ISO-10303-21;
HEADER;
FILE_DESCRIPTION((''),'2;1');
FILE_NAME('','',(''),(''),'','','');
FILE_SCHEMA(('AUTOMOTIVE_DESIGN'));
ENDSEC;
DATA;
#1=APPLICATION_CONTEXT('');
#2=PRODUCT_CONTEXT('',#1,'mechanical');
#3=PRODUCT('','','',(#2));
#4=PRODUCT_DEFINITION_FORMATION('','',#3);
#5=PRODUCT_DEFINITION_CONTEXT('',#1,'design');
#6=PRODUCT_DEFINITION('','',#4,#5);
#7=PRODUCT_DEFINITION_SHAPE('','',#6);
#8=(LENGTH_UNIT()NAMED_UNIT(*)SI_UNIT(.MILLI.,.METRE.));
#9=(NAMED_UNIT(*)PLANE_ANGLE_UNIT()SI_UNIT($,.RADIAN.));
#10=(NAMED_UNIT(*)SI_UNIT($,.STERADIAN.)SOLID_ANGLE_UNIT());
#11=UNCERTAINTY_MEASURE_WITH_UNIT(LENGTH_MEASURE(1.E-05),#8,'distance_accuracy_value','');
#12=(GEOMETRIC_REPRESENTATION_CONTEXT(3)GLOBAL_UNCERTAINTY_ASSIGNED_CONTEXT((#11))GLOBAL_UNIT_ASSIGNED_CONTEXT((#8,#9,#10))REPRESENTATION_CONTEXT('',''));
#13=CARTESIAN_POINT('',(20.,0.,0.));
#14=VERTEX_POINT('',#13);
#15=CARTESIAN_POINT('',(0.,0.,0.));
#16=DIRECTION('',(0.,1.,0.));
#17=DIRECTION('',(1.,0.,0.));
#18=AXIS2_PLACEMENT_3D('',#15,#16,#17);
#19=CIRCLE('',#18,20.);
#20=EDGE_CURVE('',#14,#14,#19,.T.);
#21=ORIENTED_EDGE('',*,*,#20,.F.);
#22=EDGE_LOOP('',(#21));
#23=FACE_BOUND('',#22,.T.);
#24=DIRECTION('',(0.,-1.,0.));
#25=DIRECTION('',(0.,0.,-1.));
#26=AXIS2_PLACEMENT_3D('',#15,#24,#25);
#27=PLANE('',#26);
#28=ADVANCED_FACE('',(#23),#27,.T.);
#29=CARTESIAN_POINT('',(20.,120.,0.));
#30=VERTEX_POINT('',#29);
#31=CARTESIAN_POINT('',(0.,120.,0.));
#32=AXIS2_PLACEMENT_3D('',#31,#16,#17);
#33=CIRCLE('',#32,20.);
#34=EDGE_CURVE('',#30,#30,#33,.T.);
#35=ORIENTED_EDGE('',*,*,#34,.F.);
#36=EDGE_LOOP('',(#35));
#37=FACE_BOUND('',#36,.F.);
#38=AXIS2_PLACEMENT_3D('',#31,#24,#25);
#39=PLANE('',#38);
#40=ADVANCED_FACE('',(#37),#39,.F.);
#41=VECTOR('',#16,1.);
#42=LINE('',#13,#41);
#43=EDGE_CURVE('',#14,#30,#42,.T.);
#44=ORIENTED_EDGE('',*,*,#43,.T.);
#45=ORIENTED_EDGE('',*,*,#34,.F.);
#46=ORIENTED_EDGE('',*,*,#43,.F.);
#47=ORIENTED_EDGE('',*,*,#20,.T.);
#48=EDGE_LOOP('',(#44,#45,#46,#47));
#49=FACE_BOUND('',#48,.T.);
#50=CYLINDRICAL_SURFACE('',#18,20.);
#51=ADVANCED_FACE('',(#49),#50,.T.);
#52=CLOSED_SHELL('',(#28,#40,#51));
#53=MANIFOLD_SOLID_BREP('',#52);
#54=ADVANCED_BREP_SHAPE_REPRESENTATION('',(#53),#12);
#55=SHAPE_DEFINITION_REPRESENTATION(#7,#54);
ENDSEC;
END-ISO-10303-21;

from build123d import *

# Parameters (mm, degrees)
F0_R = 20


with BuildPart() as f2:
    # F2: sweep along a path in F1
    with BuildLine(Plane.YZ) as f2_path:
        Line((0, 0), (120, 0))
    # F0 (on Front) → F2 (sweep)
    with BuildSketch(Plane.XZ):
        Circle(F0_R)
    sweep(path=f2_path.line)


solid = f2.part
